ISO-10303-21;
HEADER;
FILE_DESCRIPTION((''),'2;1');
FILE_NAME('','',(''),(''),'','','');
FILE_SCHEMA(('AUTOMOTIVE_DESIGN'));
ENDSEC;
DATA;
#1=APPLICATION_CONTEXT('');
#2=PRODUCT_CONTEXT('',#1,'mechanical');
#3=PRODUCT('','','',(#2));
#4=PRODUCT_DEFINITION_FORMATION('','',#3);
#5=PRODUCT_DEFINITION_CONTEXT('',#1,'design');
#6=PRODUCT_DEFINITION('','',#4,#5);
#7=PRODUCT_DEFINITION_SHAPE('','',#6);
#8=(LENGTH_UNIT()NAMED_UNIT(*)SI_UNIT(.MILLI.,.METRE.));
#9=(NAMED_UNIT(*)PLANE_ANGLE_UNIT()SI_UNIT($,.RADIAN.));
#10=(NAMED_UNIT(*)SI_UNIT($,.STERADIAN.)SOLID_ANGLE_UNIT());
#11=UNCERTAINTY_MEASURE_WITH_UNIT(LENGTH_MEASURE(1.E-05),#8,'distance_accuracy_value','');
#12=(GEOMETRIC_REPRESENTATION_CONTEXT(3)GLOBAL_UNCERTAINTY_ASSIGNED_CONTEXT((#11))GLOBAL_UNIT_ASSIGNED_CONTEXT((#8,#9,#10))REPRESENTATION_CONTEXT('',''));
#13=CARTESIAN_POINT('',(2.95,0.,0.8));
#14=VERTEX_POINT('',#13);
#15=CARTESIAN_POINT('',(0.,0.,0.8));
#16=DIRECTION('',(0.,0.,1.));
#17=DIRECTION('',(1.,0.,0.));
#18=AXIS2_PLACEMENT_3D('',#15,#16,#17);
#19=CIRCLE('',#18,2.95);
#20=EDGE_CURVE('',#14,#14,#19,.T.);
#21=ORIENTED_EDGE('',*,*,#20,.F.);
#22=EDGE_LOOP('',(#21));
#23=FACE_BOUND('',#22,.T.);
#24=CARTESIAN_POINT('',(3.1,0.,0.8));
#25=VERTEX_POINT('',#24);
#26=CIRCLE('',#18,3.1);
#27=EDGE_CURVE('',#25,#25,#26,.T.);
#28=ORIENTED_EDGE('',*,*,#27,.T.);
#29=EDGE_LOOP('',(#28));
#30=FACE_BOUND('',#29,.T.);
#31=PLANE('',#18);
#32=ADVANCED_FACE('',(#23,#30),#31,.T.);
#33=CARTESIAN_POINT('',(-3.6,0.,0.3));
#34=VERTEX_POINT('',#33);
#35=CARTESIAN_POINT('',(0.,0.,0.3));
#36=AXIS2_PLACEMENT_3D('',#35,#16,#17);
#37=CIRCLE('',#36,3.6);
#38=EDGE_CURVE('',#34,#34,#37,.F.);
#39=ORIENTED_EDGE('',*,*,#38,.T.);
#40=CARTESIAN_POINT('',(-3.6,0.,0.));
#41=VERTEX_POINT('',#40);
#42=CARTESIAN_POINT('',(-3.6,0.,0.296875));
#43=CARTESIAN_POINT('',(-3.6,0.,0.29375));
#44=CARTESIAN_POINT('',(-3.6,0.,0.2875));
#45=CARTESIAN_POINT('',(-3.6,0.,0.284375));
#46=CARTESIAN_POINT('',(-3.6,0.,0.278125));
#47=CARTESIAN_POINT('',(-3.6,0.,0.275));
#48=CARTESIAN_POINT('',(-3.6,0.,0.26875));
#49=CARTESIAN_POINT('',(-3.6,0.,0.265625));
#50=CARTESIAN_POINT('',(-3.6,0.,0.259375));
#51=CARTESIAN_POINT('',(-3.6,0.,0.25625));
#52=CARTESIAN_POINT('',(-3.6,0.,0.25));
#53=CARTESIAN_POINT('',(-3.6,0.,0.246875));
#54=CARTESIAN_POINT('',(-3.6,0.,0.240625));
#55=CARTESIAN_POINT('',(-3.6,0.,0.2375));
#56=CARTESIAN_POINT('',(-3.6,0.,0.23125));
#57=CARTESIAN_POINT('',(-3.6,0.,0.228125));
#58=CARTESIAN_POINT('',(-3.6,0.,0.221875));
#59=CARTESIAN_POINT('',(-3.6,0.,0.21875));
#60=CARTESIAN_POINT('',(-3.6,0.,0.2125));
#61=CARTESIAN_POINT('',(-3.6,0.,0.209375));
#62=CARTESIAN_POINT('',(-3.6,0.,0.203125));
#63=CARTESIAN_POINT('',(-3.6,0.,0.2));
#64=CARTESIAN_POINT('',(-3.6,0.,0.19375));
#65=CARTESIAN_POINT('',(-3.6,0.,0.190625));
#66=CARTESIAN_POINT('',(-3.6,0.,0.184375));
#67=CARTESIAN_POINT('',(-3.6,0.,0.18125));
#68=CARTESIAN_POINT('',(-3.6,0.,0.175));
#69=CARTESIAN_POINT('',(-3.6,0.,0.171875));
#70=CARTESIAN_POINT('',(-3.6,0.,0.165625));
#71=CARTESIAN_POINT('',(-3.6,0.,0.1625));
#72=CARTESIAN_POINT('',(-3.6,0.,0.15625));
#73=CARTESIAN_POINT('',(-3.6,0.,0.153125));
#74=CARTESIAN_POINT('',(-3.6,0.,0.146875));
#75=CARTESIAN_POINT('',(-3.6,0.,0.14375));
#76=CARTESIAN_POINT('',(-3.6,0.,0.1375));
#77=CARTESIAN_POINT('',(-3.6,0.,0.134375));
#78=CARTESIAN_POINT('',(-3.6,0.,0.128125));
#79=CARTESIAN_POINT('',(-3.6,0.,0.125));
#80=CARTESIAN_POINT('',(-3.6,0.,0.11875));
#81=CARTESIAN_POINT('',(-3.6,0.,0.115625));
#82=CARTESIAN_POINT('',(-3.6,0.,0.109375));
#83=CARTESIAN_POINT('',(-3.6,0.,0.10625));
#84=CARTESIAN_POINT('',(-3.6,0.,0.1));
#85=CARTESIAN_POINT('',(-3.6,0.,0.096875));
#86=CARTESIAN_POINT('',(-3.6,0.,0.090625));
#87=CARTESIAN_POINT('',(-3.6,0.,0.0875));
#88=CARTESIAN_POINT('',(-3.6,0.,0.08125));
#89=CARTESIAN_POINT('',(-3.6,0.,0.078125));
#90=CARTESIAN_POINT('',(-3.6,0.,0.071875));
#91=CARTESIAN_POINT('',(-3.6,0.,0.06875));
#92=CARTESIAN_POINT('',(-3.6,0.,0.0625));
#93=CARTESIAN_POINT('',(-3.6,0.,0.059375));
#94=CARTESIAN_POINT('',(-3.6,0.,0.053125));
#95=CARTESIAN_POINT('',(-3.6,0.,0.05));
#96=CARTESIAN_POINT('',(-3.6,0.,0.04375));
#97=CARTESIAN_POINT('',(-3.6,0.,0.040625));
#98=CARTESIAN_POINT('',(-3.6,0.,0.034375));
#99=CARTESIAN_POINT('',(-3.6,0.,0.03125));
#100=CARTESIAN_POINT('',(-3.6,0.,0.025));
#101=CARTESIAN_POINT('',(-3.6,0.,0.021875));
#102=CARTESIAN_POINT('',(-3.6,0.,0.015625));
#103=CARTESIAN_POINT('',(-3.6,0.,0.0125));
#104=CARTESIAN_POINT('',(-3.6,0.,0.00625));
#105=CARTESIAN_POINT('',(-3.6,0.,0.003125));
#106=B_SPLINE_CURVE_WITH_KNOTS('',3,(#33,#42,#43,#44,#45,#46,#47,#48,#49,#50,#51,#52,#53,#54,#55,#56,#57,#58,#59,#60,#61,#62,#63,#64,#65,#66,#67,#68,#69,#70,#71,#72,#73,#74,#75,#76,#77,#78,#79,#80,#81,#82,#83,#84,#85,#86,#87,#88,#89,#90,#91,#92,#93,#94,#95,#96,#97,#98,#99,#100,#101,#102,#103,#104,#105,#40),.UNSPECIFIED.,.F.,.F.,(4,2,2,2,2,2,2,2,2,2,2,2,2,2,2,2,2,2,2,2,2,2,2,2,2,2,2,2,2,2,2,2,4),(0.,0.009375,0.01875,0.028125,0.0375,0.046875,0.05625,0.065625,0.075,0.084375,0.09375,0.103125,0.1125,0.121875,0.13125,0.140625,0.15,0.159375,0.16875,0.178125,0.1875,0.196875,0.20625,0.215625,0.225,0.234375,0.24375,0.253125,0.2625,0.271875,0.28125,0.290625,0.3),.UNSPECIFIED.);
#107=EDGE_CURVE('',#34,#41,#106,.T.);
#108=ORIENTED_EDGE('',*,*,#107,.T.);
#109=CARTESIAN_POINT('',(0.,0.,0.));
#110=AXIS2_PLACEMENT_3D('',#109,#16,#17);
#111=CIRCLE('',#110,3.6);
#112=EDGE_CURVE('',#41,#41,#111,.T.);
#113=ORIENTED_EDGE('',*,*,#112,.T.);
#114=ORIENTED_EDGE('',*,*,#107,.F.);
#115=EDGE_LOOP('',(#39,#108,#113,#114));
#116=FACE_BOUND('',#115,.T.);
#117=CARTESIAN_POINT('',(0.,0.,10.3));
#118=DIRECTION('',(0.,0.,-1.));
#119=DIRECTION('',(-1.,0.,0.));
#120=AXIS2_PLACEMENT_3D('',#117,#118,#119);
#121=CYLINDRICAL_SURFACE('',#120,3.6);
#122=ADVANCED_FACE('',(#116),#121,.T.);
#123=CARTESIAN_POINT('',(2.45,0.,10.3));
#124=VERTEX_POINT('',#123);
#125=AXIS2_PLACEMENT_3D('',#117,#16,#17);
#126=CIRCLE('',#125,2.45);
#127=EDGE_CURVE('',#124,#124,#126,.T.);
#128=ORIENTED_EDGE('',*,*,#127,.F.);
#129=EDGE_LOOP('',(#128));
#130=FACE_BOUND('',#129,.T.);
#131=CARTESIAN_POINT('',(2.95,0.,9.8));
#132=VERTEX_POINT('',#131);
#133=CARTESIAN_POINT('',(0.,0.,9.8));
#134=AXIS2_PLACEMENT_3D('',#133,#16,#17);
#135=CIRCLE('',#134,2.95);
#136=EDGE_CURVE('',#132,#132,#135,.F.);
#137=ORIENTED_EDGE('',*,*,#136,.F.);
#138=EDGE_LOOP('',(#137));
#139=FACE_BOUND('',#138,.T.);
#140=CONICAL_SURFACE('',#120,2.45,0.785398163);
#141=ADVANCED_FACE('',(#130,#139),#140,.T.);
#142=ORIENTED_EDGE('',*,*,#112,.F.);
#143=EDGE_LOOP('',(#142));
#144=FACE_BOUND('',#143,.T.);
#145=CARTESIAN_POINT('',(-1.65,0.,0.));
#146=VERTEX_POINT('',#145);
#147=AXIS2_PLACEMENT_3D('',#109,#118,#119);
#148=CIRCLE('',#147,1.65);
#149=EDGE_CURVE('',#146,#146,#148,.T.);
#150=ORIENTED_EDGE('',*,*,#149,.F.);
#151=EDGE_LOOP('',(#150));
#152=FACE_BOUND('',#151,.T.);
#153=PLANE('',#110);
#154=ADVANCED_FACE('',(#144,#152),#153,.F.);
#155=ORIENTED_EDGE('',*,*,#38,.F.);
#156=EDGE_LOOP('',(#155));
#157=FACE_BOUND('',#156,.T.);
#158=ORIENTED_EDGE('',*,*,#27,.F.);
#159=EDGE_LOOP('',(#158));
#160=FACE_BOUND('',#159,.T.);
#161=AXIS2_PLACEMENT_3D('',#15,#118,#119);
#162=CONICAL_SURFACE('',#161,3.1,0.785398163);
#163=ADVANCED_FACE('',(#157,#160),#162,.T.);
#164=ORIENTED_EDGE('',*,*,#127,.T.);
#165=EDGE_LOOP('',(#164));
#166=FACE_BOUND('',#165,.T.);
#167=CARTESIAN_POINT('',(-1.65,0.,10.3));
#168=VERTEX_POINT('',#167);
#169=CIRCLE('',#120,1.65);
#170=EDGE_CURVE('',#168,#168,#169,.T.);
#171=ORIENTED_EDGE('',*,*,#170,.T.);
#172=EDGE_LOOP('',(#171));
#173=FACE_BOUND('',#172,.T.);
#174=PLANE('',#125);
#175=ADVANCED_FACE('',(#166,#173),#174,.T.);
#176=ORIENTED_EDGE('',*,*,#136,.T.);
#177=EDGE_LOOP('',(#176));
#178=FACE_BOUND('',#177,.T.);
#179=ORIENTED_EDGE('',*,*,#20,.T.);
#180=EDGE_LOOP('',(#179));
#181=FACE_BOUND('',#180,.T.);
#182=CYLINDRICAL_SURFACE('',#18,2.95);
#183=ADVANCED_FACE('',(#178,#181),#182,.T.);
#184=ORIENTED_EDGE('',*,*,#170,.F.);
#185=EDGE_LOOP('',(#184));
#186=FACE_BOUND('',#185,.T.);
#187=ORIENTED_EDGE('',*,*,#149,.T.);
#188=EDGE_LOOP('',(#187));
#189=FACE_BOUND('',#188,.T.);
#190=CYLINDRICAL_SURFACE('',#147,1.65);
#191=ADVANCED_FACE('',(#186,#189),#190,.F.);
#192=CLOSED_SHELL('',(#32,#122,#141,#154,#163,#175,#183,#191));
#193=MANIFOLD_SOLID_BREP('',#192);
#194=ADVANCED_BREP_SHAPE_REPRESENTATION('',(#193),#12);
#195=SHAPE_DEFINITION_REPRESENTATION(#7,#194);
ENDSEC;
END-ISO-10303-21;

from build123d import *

# Parameters (mm, degrees)
ESQUISSE1_R             = 3.6
BOSS_EXTRU_1_DEPTH      = 10.3
ESQUISSE2_OUTSIDE_W     = 12.096
ESQUISSE2_OUTSIDE_H     = 12.096
ESQUISSE2_OUTSIDE_R     = 2.95
ENL_V_MAT_EXTRU_1_DEPTH = 9.5
TROU_TARAUD_M41_D       = 3.3
CHANFREIN1_SIZE         = 0.5


with BuildPart() as part:
    # Esquisse1 → Boss.-Extru.1 (new body)
    with BuildSketch(Plane.XY):
        with Locations(Location((0, 0, 0), (0, 0, 180))):
            Circle(ESQUISSE1_R)
    extrude(amount=BOSS_EXTRU_1_DEPTH)

    # Esquisse2 outside → Enlèv. mat.-Extru.1 (cut)
    with BuildSketch(Plane.XY.offset(10.3)):
        Rectangle(ESQUISSE2_OUTSIDE_W, ESQUISSE2_OUTSIDE_H)
        Circle(ESQUISSE2_OUTSIDE_R, mode=Mode.SUBTRACT)
    extrude(amount=-ENL_V_MAT_EXTRU_1_DEPTH, mode=Mode.SUBTRACT)

    # Trou taraudé M41 (through all)
    with Locations(Plane(origin=(0, 0, 0), x_dir=(-1, 0, 0), z_dir=(0, 0, -1))):
        with Locations((0, 0)):
            Hole(TROU_TARAUD_M41_D / 2)

    # Chanfrein1
    chanfrein1_edges = [part.edges().sort_by_distance(p)[0] for p in [
        (-2.95, 0, 10.3),
        (3.6, 0, 0.8),
    ]]
    chamfer(chanfrein1_edges, length=CHANFREIN1_SIZE)


solid = part.part
